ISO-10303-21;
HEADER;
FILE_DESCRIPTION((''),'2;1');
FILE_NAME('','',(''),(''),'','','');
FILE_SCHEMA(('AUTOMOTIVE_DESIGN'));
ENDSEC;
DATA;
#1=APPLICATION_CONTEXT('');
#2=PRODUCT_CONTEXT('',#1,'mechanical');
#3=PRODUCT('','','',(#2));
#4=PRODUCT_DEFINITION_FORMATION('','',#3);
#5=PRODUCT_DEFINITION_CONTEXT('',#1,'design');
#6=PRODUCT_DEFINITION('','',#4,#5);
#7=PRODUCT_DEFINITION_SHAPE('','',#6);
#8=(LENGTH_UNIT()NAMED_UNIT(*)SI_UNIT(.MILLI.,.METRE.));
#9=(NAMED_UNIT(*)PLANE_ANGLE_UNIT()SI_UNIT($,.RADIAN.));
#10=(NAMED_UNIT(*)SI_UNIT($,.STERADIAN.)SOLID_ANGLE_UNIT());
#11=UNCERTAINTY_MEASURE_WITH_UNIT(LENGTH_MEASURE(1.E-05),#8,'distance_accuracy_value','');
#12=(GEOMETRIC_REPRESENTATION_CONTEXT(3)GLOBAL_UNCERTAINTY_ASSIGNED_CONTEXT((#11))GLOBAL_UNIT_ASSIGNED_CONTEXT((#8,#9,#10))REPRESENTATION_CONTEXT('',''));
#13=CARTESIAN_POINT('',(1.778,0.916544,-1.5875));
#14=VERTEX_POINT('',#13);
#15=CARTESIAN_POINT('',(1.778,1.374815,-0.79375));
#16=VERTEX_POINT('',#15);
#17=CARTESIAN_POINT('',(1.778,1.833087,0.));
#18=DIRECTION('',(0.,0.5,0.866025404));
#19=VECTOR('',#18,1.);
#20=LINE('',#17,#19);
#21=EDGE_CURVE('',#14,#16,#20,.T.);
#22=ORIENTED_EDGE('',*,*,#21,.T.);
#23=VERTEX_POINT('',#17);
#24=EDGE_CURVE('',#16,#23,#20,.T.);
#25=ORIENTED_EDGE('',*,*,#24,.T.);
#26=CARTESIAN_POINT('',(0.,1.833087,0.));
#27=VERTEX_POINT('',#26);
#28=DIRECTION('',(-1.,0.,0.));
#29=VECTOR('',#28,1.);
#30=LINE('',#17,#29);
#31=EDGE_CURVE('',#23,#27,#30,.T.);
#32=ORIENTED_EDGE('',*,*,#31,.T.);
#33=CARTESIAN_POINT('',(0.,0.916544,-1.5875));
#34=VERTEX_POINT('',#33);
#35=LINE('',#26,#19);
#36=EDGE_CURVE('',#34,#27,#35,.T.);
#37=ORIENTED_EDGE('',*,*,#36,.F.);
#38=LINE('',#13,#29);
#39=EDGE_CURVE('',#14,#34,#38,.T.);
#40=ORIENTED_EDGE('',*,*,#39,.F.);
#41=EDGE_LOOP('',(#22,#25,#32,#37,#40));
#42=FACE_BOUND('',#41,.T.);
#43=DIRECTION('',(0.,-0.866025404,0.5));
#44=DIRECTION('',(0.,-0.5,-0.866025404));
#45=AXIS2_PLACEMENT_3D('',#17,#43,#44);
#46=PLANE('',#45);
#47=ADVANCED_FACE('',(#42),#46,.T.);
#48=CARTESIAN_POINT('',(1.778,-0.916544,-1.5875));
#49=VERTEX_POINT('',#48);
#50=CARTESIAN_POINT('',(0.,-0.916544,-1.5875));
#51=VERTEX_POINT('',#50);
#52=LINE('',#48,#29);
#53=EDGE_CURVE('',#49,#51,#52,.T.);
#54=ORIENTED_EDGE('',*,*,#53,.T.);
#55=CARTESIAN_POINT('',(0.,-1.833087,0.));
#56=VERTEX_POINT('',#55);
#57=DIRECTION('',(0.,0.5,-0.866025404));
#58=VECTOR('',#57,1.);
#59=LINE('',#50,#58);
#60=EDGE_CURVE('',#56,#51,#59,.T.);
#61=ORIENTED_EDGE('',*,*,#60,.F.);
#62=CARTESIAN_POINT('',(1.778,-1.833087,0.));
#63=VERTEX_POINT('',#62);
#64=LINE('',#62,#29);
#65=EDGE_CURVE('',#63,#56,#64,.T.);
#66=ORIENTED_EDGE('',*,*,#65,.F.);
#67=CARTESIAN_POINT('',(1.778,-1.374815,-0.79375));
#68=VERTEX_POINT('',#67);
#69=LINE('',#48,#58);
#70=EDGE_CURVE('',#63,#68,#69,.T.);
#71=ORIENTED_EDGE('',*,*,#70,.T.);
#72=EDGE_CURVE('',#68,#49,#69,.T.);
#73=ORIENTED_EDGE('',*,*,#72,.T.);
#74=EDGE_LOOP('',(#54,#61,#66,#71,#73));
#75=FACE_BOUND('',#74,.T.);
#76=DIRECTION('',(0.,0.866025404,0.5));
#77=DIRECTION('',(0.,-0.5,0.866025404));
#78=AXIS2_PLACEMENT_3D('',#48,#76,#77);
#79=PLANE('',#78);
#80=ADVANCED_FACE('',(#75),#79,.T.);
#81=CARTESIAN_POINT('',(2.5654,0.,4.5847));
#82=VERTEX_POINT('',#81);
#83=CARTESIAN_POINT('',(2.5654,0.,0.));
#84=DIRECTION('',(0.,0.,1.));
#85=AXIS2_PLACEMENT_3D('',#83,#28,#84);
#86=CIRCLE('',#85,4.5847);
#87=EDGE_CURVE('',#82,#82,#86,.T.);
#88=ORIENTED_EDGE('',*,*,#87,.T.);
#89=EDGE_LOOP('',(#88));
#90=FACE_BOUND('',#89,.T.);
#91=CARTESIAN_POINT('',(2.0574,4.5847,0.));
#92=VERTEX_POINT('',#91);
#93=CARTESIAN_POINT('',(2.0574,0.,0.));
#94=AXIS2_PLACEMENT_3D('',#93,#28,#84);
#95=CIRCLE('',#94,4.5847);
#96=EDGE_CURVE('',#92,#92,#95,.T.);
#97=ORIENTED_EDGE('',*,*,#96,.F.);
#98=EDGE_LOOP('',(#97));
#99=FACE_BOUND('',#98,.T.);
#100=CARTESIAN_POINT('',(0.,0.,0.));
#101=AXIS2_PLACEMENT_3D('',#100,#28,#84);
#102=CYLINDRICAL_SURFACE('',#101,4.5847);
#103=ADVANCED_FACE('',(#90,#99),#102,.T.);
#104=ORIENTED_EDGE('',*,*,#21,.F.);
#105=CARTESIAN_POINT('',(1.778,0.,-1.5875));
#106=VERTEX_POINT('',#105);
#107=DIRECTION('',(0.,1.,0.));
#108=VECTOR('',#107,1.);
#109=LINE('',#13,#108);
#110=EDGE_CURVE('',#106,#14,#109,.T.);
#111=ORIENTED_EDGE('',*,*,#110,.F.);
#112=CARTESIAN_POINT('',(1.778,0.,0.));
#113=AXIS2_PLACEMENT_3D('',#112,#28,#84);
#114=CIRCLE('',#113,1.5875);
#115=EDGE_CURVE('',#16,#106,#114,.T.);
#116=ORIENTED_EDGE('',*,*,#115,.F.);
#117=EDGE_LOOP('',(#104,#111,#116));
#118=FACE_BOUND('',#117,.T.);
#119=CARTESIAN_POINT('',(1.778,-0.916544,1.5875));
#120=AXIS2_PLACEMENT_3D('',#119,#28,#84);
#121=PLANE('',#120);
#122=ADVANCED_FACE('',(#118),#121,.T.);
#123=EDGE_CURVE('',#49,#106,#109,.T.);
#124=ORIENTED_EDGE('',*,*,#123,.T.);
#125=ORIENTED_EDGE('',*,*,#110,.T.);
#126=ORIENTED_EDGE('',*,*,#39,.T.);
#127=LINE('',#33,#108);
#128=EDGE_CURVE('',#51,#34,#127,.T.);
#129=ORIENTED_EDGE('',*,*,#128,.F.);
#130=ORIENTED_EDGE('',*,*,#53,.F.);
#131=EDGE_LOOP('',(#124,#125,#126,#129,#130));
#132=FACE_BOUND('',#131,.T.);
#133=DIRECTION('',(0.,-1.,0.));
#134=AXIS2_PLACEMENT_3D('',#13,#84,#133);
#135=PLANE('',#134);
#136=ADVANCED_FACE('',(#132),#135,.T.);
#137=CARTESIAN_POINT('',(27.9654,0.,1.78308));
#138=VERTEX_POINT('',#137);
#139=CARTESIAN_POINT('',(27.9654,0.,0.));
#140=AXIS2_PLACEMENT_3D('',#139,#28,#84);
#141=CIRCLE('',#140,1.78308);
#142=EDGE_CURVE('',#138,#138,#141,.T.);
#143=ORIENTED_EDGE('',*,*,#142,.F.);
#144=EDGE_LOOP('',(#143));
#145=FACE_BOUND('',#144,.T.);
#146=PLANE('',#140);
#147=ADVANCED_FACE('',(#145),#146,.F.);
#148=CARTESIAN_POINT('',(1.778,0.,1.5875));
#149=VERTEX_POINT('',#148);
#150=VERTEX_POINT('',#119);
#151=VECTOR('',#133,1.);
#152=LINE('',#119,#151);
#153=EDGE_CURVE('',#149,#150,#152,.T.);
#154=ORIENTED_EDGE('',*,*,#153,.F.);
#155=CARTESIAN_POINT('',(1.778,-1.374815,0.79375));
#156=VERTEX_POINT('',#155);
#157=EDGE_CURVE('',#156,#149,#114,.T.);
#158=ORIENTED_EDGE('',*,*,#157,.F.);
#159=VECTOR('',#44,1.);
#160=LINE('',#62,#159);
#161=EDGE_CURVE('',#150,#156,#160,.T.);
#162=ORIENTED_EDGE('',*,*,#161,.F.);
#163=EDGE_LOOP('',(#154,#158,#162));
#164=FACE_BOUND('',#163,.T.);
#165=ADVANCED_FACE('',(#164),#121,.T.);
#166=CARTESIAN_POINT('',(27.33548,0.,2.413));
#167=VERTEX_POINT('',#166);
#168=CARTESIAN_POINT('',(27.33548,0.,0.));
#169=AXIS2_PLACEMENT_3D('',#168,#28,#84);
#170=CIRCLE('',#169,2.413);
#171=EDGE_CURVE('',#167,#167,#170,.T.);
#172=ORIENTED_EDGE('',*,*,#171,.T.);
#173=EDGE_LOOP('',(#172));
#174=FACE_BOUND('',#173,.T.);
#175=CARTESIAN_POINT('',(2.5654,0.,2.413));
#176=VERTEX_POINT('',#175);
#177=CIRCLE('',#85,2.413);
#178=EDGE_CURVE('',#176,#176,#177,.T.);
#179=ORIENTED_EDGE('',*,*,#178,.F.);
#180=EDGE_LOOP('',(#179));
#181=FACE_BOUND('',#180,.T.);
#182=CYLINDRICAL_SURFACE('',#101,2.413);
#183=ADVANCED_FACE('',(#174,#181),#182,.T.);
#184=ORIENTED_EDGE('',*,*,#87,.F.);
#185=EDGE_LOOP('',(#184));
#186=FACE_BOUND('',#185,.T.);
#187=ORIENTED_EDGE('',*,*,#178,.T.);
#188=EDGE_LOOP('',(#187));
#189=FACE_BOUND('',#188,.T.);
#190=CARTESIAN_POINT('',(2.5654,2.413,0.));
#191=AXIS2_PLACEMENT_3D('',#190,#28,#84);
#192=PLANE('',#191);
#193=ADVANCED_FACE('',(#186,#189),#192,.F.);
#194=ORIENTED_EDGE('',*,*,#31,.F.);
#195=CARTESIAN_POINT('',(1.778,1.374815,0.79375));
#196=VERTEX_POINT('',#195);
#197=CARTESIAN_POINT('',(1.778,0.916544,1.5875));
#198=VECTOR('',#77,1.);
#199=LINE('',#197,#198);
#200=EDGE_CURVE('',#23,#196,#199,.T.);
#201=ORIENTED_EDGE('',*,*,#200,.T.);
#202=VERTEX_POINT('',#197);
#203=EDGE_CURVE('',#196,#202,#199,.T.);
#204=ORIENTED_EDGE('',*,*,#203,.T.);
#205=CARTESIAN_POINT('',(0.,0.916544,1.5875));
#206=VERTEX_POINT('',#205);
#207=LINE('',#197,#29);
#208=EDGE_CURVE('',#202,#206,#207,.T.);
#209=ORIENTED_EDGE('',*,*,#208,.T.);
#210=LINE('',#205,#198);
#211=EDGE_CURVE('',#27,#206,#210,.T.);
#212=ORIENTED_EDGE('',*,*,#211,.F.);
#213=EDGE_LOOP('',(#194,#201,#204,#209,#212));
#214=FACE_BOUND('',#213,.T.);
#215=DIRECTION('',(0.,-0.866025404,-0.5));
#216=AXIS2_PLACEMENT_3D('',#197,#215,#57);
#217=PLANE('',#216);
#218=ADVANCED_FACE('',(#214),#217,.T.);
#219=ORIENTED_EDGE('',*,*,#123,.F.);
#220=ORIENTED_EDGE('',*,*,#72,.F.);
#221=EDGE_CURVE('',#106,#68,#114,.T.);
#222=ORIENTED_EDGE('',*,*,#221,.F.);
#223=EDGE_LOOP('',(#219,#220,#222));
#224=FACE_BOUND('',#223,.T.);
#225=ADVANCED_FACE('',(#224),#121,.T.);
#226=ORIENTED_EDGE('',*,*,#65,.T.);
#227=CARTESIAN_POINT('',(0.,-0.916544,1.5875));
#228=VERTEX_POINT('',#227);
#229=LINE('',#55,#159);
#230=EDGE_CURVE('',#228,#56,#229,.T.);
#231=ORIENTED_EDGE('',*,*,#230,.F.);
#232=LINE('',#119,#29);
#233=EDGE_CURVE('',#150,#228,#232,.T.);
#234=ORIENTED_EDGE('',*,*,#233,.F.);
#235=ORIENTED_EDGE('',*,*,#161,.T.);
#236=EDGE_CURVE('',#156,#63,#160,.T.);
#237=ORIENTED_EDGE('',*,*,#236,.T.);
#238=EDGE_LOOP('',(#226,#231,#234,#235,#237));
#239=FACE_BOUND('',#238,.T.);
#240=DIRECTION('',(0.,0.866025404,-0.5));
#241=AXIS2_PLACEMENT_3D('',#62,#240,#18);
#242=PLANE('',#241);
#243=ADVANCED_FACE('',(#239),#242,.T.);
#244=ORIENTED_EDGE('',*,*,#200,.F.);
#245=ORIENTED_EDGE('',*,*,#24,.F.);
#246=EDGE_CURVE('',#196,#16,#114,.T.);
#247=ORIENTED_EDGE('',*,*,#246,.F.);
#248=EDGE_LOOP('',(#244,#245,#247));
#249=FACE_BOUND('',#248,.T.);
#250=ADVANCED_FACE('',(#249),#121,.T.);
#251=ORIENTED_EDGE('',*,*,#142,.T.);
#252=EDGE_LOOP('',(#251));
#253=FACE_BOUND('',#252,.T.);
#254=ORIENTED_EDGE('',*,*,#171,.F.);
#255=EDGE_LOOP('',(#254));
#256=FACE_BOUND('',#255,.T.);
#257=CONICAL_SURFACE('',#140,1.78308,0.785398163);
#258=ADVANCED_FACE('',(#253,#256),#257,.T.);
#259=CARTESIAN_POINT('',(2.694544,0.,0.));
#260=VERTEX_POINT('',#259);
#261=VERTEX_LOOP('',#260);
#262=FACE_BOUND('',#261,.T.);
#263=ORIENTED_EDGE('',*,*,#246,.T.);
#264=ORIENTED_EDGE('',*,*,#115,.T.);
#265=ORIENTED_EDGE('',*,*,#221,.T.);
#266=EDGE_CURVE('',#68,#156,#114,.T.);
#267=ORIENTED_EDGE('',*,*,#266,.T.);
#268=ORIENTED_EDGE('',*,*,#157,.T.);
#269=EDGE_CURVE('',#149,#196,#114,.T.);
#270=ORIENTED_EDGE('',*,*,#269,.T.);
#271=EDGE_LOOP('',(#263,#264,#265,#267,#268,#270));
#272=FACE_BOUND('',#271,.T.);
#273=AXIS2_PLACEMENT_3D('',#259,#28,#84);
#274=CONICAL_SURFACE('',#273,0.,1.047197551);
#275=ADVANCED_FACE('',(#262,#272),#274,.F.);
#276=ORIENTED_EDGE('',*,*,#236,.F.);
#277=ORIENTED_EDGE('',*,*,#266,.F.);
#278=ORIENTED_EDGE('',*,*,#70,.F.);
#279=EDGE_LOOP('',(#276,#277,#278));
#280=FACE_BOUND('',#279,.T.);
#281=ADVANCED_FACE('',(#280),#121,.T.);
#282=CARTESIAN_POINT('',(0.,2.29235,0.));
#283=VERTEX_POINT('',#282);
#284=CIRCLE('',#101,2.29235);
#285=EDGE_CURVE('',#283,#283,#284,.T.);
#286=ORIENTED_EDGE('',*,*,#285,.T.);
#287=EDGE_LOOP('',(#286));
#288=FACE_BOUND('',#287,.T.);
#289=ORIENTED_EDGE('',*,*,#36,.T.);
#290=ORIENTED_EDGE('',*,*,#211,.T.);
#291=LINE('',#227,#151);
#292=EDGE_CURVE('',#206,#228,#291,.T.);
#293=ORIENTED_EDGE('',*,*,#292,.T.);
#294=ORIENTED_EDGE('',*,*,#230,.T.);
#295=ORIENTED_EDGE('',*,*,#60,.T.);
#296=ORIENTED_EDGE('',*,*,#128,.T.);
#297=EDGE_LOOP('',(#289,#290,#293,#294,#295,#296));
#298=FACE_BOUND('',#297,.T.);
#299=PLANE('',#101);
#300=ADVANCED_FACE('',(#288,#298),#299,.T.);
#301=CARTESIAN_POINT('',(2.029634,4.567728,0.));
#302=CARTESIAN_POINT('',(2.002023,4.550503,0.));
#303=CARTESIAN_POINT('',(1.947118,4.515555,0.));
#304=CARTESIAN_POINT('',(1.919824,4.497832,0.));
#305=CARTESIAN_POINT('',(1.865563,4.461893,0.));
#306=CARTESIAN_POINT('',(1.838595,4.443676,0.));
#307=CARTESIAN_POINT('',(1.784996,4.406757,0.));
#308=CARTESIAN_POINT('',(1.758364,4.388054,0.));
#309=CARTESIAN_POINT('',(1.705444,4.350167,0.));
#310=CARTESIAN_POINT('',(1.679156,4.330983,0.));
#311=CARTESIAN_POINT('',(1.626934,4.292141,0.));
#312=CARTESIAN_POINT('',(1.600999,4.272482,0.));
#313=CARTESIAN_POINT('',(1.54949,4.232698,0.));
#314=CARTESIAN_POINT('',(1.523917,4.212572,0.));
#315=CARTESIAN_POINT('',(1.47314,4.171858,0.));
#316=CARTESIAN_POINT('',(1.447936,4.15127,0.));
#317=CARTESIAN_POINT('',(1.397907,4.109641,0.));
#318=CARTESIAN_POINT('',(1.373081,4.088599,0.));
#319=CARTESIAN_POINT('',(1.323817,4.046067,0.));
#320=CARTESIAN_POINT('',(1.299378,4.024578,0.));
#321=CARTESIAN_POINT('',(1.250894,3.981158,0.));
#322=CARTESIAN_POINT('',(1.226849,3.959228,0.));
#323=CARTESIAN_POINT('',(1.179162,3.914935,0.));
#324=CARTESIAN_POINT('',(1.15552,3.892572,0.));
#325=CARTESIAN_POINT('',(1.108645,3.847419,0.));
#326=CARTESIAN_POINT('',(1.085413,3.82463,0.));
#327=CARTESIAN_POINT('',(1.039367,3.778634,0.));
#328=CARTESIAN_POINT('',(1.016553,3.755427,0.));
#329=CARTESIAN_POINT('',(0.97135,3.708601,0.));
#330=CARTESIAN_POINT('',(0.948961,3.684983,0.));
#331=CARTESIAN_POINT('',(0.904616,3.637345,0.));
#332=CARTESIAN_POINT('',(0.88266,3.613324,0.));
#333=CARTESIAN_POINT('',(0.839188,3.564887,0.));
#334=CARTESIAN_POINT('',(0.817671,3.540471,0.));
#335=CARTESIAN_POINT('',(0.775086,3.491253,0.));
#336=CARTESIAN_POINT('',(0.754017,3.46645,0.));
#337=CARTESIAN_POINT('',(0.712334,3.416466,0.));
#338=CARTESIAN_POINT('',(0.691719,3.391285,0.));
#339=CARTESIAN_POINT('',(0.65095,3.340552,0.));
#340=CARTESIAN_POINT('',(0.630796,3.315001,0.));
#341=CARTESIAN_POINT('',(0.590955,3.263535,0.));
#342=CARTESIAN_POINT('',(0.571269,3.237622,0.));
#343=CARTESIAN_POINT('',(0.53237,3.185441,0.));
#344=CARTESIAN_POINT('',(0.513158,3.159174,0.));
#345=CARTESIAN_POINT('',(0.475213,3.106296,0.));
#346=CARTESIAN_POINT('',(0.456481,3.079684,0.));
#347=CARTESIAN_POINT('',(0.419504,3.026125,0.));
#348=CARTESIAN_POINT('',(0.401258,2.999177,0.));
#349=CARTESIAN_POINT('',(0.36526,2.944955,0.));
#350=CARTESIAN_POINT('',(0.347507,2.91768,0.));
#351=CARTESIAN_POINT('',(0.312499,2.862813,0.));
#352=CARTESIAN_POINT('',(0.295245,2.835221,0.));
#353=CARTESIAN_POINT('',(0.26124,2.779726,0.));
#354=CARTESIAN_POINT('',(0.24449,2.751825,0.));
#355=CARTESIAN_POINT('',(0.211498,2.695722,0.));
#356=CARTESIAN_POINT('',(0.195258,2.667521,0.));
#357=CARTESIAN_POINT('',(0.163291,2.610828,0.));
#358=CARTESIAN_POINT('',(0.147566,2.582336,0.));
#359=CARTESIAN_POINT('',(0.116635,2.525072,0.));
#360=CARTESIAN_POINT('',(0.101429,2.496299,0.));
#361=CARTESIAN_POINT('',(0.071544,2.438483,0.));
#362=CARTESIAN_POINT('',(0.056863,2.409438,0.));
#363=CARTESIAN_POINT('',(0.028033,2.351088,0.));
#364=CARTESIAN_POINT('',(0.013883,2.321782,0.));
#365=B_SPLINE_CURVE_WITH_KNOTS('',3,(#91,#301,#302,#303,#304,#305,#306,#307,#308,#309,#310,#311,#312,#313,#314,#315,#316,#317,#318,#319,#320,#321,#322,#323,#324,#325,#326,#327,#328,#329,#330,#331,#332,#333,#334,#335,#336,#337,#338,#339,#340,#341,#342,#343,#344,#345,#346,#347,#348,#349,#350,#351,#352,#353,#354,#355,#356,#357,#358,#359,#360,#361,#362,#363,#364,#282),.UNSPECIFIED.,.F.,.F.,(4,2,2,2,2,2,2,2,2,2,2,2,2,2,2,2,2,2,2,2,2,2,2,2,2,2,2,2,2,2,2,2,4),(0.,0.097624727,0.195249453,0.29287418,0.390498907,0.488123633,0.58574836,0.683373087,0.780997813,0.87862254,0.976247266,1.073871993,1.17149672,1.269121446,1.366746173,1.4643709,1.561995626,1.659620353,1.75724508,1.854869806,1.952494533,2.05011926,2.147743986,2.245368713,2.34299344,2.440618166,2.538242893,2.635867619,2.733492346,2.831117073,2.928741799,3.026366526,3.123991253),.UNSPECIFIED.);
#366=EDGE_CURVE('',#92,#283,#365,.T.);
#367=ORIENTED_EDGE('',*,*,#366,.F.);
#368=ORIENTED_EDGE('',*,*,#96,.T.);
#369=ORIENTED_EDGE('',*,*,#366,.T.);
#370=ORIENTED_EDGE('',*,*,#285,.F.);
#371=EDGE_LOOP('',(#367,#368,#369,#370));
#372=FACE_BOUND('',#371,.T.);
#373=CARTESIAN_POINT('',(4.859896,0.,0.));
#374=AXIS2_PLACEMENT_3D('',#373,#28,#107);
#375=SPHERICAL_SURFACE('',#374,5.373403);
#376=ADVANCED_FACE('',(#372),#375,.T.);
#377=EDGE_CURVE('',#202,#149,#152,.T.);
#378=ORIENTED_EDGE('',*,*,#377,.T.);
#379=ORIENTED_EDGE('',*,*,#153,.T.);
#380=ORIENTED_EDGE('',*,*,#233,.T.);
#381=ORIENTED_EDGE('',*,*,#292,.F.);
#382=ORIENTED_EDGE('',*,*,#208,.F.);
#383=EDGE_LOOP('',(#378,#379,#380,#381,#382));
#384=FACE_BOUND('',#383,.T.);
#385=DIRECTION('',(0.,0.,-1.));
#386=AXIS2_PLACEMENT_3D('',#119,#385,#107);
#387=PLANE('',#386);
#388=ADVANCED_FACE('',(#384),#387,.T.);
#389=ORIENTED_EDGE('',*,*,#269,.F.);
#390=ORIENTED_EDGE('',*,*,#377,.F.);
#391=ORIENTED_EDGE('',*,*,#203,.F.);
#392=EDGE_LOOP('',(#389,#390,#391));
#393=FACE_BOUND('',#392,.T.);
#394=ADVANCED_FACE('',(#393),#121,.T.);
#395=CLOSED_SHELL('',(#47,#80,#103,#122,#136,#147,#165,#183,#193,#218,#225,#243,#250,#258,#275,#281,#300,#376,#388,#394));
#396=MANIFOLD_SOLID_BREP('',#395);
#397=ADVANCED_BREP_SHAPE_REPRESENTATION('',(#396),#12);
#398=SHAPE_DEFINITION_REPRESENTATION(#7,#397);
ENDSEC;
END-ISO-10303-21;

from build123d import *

# Parameters (mm, degrees)
HEX_2_DEPTH = 1.778


with BuildPart() as part:
    # BodySke → BaseBody (revolve)
    with BuildSketch(Plane.XY, mode=Mode.PRIVATE) as basebody_sk:
        with BuildLine():
            Line((27.9654, 0), (27.9654, 1.78308))
            Line((27.9654, 1.78308), (27.33548, 2.413))
            Line((27.33548, 2.413), (2.5654, 2.413))
            Line((2.5654, 2.413), (2.5654, 4.5847))
            Line((2.5654, 4.5847), (2.0574, 4.5847))
            ThreePointArc((2.0574, 4.5847), (0.860923645, 3.589105441), (0, 2.29235))
            Line((0, 2.29235), (0, 0))
            Line((0, 0), (27.9654, 0))
        make_face()
    revolve(basebody_sk.sketch.rotate(Axis((0, 0, 0), (1, 0, 0)), 90), axis=Axis((0, 0, 0), (1, 0, 0)))

    # Sketch2 → PreBroach (revolve, cut)
    with BuildSketch(Plane.XY, mode=Mode.PRIVATE) as prebroach_sk:
        Polygon((0, 1.5875), (1.778, 1.5875), (2.694543552, 0), (0, 0), align=None)
    revolve(prebroach_sk.sketch.rotate(Axis((0, 0, 0), (1, 0, 0)), 90), axis=Axis((0, 0, 0), (1, 0, 0)), mode=Mode.SUBTRACT)

    # Sketch3 → Hex 2 (cut)
    with BuildSketch(Plane(origin=(0, 0, 0), x_dir=(0, 0, -1), z_dir=(1, 0, 0))):
        Polygon((-1.5875, -0.916543552), (-1.5875, 0.916543552), (0, 1.833087105), (1.5875, 0.916543552), (1.5875, -0.916543552), (0, -1.833087105), align=None)
    extrude(amount=HEX_2_DEPTH, mode=Mode.SUBTRACT)


solid = part.part
